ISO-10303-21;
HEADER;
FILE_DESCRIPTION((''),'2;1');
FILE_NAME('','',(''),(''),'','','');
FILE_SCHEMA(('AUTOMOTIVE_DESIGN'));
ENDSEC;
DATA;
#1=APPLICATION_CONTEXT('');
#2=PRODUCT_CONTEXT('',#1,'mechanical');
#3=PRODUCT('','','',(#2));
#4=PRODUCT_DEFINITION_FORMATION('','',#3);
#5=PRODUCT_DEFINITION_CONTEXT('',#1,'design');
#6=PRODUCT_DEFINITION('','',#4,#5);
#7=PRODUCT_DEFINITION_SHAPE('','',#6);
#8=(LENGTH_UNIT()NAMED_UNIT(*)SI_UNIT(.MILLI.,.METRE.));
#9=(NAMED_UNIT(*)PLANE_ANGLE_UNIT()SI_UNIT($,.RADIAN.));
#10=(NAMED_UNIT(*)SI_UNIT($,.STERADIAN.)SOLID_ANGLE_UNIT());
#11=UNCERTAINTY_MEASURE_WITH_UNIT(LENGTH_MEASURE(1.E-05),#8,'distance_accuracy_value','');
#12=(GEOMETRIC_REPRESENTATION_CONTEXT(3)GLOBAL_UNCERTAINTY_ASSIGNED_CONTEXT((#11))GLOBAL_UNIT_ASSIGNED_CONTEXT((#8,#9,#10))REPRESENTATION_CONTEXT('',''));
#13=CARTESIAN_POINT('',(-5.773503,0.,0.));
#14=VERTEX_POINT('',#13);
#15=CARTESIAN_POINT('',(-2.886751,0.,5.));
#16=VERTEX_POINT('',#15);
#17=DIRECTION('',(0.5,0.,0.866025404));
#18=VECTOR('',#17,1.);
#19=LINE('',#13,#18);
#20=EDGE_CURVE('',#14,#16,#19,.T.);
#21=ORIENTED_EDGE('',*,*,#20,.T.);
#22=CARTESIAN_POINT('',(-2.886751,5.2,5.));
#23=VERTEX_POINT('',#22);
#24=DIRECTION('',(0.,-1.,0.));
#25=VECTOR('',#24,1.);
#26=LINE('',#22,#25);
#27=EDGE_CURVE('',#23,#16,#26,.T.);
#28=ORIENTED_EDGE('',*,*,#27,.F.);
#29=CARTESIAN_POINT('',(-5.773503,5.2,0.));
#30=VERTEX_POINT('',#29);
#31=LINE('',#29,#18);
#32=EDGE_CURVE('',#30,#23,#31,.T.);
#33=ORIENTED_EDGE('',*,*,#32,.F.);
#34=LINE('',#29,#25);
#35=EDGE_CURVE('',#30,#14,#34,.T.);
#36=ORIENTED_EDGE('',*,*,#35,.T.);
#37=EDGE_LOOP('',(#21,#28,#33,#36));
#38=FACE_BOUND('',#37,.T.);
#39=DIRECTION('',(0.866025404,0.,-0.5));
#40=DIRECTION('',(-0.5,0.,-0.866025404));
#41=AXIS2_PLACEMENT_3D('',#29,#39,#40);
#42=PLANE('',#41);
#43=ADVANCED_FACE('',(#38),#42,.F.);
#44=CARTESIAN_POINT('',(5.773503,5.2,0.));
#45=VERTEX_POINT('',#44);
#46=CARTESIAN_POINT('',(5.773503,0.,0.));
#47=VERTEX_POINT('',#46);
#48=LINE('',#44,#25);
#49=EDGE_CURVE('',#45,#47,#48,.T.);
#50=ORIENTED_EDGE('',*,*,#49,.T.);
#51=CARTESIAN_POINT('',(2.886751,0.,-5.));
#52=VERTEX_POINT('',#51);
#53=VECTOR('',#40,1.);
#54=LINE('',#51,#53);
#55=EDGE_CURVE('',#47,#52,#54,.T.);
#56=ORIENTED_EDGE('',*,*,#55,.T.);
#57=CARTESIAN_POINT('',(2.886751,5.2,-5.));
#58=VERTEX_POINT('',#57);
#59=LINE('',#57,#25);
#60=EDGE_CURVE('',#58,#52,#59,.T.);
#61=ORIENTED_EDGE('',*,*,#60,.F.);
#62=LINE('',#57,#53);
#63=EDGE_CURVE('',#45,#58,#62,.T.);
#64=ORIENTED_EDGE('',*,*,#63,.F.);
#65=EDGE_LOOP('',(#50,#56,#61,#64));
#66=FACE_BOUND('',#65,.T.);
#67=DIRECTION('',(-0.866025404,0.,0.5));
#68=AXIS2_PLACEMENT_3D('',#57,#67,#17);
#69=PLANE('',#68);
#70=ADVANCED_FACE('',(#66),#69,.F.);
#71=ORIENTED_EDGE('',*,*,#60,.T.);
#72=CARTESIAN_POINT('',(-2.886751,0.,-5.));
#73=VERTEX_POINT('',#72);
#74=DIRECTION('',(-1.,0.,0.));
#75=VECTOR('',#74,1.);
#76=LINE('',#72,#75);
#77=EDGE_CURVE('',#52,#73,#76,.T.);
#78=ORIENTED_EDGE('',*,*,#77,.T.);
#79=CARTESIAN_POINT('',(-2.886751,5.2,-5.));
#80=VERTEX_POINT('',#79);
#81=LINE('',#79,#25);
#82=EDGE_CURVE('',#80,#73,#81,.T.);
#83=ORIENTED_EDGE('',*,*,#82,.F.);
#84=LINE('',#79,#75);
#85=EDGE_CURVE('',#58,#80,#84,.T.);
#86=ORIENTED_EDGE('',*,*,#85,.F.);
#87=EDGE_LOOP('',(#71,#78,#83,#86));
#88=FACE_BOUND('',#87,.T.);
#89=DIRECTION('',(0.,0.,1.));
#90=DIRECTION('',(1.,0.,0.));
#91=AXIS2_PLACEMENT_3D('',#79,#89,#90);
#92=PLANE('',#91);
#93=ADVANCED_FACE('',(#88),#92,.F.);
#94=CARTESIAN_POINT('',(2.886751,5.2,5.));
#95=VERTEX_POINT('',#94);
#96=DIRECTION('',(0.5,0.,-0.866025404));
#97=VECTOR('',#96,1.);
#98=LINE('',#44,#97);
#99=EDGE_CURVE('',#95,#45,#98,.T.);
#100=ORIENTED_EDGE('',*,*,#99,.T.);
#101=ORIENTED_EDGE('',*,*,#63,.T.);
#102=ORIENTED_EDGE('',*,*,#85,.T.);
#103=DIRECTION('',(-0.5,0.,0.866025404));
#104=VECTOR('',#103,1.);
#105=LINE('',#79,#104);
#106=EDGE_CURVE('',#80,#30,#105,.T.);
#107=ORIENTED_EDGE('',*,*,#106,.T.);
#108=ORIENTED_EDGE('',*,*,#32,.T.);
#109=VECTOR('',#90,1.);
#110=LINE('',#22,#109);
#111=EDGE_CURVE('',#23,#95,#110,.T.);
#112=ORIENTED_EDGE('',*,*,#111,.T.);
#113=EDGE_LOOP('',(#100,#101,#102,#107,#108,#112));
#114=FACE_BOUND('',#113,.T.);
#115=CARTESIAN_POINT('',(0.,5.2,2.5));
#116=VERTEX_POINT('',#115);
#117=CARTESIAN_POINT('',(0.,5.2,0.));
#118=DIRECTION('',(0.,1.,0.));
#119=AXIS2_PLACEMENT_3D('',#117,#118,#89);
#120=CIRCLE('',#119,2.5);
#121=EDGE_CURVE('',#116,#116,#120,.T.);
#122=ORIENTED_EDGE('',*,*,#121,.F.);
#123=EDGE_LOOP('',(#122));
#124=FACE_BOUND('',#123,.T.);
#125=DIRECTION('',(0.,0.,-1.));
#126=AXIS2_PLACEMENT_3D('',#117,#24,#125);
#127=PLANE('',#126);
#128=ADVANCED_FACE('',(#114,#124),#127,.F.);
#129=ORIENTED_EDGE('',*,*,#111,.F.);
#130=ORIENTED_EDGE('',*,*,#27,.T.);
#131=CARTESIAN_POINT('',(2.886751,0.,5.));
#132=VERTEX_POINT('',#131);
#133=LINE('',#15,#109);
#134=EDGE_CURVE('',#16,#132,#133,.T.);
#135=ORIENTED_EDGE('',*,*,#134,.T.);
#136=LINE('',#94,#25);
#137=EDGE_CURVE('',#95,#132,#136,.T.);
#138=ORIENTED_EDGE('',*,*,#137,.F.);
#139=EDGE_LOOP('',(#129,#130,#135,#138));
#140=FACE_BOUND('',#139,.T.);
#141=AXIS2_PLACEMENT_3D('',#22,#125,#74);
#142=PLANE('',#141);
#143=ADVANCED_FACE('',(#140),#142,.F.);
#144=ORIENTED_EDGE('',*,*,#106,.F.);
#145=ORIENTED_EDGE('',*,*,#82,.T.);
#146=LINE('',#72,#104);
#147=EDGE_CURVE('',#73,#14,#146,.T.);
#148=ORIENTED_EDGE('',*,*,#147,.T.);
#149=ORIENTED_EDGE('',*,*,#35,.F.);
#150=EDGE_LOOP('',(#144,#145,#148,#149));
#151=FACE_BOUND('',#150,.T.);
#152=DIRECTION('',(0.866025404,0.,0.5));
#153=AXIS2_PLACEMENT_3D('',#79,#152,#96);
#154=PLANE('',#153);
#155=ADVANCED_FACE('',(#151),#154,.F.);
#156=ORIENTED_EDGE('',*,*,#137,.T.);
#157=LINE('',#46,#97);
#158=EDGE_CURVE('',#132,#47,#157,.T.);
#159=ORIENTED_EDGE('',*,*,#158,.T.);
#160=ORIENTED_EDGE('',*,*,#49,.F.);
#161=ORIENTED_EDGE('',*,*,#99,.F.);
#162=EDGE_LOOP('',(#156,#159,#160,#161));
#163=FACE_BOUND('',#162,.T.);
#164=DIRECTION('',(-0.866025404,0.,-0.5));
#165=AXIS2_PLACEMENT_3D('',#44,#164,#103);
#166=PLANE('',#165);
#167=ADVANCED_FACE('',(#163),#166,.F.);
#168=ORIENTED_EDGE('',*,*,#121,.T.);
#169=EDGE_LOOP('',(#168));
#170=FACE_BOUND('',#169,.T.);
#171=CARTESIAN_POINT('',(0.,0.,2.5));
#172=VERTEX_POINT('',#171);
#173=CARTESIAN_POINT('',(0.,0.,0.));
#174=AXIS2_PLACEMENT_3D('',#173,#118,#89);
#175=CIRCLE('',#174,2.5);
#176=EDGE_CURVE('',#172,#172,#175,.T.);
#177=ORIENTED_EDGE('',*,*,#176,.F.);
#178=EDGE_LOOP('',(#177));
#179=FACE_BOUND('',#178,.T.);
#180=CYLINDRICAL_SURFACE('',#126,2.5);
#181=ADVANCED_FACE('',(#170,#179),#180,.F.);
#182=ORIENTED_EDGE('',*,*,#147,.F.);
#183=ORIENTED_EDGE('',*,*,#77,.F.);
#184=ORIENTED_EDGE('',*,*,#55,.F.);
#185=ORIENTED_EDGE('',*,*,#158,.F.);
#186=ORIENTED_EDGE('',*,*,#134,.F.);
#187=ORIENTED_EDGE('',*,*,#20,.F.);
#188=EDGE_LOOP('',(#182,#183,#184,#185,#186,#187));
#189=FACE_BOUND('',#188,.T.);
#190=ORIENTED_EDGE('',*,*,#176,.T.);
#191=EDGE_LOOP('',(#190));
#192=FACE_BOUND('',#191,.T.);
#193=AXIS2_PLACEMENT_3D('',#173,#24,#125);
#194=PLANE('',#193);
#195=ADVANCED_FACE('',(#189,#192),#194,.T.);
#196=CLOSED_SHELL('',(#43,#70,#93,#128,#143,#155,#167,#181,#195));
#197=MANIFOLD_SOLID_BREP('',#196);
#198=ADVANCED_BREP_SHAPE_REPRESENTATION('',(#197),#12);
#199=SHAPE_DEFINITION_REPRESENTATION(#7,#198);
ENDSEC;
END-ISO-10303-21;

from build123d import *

# Parameters (mm, degrees)
ESQUISSE1_R        = 2.5
BOSS_EXTRU_1_DEPTH = 5.2


with BuildPart() as part:
    # Esquisse1 → Boss.-Extru.1 (new body)
    with BuildSketch(Plane(origin=(0, 0, 0), x_dir=(1, 0, 0), z_dir=(0, 1, 0))):
        Polygon((-2.886751346, 5), (-5.773502692, 0), (-2.886751346, -5), (2.886751346, -5), (5.773502692, 0), (2.886751346, 5), align=None)
        Circle(ESQUISSE1_R, mode=Mode.SUBTRACT)
    extrude(amount=BOSS_EXTRU_1_DEPTH)


solid = part.part
